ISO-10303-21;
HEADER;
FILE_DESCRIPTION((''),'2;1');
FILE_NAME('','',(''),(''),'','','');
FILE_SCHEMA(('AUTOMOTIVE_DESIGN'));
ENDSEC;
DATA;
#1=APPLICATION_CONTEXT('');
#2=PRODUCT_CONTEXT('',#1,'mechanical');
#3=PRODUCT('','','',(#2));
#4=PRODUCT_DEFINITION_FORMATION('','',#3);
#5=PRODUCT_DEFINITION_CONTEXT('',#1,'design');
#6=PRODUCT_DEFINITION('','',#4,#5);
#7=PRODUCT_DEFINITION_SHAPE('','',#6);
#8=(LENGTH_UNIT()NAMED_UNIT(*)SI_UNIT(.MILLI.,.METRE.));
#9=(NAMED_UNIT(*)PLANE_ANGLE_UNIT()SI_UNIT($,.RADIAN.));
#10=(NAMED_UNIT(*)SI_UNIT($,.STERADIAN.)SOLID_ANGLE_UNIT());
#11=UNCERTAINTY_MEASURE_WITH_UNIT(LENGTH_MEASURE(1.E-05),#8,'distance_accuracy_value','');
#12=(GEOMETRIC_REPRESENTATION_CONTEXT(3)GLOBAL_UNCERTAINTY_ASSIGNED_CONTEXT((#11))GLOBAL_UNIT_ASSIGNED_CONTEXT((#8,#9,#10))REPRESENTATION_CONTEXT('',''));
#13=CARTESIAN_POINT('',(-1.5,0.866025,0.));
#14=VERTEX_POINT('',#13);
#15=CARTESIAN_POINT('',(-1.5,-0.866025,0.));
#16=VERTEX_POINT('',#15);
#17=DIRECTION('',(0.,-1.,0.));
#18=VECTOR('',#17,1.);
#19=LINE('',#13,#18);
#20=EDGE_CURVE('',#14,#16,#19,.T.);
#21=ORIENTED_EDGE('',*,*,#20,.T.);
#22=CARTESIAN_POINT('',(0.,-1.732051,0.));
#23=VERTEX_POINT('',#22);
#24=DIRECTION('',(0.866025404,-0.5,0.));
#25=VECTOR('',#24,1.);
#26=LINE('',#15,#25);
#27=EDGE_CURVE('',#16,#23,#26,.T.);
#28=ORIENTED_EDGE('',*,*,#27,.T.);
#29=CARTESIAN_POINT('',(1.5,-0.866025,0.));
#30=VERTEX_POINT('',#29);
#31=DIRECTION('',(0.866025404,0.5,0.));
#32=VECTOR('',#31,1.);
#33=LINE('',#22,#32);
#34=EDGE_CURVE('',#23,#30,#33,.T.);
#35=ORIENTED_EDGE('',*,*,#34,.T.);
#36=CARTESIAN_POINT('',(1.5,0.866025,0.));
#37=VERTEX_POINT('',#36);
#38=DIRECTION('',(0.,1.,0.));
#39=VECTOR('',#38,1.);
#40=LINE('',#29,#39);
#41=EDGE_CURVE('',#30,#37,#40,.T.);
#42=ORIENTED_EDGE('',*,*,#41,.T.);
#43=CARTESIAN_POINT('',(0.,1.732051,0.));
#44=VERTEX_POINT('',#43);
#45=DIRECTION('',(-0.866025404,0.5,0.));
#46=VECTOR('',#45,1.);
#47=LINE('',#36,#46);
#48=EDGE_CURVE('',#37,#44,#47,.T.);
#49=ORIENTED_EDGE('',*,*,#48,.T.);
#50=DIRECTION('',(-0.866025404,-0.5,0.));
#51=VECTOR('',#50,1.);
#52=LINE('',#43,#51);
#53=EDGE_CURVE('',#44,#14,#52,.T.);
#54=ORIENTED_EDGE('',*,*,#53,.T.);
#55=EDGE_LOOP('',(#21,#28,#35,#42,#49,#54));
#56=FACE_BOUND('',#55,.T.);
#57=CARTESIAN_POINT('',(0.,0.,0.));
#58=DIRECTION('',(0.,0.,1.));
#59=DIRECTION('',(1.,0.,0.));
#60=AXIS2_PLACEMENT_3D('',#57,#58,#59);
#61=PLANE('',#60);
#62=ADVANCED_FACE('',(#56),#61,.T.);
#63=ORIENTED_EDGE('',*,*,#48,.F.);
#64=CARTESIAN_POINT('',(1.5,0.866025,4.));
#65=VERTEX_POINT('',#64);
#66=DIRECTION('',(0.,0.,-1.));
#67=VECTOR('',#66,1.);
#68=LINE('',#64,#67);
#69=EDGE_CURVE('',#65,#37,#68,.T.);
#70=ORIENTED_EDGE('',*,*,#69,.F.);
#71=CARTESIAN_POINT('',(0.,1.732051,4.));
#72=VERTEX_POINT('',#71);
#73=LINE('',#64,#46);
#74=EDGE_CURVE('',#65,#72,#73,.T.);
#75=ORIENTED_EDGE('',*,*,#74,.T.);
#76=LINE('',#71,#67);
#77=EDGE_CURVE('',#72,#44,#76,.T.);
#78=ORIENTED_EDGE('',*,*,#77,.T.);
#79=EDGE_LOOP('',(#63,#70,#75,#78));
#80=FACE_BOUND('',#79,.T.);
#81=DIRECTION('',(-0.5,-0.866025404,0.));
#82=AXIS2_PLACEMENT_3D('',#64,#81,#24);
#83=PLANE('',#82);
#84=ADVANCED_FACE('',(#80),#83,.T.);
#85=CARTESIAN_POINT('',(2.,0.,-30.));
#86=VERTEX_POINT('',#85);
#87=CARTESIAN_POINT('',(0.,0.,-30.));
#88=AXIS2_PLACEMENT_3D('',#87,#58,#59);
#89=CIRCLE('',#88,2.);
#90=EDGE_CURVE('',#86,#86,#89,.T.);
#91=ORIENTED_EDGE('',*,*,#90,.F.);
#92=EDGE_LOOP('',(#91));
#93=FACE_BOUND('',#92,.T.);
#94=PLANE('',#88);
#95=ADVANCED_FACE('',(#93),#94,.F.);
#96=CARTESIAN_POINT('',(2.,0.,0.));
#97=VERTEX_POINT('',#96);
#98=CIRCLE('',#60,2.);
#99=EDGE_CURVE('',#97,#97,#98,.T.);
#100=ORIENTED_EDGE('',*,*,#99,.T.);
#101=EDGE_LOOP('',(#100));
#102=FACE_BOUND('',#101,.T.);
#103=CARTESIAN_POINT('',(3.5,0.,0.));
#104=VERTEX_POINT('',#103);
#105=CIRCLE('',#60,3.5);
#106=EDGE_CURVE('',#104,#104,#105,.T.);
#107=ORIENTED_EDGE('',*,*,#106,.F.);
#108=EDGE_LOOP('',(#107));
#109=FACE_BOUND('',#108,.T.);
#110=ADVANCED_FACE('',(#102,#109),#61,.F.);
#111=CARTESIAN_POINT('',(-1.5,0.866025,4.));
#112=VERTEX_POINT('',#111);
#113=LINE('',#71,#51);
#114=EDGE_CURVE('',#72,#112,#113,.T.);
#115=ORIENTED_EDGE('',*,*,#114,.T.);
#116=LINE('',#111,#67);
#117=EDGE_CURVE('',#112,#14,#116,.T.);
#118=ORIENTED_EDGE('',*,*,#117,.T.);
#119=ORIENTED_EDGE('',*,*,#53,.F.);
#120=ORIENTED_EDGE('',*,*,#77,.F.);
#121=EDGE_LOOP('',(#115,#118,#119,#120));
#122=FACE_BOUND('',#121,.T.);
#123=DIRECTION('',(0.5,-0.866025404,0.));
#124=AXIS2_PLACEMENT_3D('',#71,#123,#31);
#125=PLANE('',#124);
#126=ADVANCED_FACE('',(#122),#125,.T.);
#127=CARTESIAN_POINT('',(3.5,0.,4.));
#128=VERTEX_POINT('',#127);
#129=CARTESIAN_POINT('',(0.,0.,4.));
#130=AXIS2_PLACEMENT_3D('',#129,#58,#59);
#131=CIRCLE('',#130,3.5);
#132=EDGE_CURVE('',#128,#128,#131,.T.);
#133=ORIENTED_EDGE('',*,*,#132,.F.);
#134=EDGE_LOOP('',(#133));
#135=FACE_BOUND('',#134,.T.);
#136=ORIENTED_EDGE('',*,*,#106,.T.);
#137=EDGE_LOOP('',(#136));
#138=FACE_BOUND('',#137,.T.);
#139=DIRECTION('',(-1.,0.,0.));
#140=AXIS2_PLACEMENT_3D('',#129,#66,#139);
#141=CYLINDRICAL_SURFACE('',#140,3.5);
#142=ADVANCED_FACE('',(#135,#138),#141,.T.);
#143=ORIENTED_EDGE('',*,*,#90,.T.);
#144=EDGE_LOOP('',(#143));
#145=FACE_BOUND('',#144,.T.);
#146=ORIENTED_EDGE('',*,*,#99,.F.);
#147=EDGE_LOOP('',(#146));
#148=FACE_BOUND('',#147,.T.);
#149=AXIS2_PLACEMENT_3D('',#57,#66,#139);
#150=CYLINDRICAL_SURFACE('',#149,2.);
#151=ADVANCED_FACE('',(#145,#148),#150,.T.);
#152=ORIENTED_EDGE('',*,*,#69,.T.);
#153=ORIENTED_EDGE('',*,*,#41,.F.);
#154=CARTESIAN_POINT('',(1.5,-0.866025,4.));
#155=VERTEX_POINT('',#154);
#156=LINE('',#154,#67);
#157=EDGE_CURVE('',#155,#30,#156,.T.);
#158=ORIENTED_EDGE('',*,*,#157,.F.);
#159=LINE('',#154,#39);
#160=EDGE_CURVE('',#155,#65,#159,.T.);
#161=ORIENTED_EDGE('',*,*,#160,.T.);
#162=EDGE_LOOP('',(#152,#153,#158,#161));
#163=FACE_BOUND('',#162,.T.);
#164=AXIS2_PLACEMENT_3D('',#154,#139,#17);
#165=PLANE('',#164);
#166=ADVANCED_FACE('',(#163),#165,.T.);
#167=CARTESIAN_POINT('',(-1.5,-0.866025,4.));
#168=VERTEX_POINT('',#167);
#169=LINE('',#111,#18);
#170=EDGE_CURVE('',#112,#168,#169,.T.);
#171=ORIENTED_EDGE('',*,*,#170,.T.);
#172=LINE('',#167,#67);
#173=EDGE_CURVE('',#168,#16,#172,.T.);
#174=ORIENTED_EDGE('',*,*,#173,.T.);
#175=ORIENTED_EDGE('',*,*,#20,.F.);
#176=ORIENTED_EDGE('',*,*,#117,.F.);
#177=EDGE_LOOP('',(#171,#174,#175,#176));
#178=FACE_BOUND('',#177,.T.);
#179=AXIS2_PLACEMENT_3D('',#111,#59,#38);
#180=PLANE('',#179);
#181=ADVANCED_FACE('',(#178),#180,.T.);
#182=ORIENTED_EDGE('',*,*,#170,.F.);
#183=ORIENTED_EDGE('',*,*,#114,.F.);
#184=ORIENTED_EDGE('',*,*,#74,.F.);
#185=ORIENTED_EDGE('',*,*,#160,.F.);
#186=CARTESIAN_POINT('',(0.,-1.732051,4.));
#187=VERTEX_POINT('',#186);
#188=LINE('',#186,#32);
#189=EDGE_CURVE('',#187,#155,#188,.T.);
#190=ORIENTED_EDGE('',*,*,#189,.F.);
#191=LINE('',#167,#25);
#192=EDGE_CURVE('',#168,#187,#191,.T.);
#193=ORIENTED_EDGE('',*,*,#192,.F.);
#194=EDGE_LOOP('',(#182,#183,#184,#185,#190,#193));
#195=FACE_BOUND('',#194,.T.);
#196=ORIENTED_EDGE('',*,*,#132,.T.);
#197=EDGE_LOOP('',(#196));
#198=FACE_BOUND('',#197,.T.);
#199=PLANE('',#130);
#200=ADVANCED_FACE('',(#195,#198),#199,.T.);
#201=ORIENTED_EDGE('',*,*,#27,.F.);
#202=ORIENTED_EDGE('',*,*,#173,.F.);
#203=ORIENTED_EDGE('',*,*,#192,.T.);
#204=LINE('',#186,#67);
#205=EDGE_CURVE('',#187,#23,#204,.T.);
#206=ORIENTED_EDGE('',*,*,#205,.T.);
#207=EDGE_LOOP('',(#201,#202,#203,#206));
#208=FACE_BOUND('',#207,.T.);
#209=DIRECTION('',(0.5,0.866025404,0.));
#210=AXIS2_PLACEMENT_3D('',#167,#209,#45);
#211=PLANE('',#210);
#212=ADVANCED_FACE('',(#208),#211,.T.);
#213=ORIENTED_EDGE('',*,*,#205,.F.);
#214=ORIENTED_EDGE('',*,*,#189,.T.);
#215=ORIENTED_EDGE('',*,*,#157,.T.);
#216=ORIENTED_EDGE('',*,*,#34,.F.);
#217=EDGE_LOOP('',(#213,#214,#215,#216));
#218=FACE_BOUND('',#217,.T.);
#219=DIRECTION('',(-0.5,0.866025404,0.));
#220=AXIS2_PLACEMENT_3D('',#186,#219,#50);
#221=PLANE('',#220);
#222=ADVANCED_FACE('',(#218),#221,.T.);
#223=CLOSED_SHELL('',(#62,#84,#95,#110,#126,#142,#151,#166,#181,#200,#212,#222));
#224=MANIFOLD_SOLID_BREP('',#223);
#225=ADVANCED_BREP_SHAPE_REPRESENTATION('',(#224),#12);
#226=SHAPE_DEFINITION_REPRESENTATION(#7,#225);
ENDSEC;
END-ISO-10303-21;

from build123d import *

# Parameters (mm, degrees)
THREAD_ENVELOPE_START = -30
PROFILE_1_R           = 2
THREAD_ENVELOPE_DEPTH = 30
PROFILE_2_R           = 3.5
SOCKET_HEAD_DEPTH     = 4


with BuildPart() as part:
    # Profile_1 → Thread_envelope (new body)
    with BuildSketch(Plane.XY.offset(THREAD_ENVELOPE_START)):
        Circle(PROFILE_1_R)
    extrude(amount=THREAD_ENVELOPE_DEPTH)

    # Profile_2 → Socket_head (add)
    with BuildSketch(Plane.XY):
        Circle(PROFILE_2_R)
        Polygon((1.5, 0.866025404), (0, 1.732050808), (-1.5, 0.866025404), (-1.5, -0.866025404), (0, -1.732050808), (1.5, -0.866025404), align=None, mode=Mode.SUBTRACT)
    extrude(amount=SOCKET_HEAD_DEPTH)


solid = part.part
